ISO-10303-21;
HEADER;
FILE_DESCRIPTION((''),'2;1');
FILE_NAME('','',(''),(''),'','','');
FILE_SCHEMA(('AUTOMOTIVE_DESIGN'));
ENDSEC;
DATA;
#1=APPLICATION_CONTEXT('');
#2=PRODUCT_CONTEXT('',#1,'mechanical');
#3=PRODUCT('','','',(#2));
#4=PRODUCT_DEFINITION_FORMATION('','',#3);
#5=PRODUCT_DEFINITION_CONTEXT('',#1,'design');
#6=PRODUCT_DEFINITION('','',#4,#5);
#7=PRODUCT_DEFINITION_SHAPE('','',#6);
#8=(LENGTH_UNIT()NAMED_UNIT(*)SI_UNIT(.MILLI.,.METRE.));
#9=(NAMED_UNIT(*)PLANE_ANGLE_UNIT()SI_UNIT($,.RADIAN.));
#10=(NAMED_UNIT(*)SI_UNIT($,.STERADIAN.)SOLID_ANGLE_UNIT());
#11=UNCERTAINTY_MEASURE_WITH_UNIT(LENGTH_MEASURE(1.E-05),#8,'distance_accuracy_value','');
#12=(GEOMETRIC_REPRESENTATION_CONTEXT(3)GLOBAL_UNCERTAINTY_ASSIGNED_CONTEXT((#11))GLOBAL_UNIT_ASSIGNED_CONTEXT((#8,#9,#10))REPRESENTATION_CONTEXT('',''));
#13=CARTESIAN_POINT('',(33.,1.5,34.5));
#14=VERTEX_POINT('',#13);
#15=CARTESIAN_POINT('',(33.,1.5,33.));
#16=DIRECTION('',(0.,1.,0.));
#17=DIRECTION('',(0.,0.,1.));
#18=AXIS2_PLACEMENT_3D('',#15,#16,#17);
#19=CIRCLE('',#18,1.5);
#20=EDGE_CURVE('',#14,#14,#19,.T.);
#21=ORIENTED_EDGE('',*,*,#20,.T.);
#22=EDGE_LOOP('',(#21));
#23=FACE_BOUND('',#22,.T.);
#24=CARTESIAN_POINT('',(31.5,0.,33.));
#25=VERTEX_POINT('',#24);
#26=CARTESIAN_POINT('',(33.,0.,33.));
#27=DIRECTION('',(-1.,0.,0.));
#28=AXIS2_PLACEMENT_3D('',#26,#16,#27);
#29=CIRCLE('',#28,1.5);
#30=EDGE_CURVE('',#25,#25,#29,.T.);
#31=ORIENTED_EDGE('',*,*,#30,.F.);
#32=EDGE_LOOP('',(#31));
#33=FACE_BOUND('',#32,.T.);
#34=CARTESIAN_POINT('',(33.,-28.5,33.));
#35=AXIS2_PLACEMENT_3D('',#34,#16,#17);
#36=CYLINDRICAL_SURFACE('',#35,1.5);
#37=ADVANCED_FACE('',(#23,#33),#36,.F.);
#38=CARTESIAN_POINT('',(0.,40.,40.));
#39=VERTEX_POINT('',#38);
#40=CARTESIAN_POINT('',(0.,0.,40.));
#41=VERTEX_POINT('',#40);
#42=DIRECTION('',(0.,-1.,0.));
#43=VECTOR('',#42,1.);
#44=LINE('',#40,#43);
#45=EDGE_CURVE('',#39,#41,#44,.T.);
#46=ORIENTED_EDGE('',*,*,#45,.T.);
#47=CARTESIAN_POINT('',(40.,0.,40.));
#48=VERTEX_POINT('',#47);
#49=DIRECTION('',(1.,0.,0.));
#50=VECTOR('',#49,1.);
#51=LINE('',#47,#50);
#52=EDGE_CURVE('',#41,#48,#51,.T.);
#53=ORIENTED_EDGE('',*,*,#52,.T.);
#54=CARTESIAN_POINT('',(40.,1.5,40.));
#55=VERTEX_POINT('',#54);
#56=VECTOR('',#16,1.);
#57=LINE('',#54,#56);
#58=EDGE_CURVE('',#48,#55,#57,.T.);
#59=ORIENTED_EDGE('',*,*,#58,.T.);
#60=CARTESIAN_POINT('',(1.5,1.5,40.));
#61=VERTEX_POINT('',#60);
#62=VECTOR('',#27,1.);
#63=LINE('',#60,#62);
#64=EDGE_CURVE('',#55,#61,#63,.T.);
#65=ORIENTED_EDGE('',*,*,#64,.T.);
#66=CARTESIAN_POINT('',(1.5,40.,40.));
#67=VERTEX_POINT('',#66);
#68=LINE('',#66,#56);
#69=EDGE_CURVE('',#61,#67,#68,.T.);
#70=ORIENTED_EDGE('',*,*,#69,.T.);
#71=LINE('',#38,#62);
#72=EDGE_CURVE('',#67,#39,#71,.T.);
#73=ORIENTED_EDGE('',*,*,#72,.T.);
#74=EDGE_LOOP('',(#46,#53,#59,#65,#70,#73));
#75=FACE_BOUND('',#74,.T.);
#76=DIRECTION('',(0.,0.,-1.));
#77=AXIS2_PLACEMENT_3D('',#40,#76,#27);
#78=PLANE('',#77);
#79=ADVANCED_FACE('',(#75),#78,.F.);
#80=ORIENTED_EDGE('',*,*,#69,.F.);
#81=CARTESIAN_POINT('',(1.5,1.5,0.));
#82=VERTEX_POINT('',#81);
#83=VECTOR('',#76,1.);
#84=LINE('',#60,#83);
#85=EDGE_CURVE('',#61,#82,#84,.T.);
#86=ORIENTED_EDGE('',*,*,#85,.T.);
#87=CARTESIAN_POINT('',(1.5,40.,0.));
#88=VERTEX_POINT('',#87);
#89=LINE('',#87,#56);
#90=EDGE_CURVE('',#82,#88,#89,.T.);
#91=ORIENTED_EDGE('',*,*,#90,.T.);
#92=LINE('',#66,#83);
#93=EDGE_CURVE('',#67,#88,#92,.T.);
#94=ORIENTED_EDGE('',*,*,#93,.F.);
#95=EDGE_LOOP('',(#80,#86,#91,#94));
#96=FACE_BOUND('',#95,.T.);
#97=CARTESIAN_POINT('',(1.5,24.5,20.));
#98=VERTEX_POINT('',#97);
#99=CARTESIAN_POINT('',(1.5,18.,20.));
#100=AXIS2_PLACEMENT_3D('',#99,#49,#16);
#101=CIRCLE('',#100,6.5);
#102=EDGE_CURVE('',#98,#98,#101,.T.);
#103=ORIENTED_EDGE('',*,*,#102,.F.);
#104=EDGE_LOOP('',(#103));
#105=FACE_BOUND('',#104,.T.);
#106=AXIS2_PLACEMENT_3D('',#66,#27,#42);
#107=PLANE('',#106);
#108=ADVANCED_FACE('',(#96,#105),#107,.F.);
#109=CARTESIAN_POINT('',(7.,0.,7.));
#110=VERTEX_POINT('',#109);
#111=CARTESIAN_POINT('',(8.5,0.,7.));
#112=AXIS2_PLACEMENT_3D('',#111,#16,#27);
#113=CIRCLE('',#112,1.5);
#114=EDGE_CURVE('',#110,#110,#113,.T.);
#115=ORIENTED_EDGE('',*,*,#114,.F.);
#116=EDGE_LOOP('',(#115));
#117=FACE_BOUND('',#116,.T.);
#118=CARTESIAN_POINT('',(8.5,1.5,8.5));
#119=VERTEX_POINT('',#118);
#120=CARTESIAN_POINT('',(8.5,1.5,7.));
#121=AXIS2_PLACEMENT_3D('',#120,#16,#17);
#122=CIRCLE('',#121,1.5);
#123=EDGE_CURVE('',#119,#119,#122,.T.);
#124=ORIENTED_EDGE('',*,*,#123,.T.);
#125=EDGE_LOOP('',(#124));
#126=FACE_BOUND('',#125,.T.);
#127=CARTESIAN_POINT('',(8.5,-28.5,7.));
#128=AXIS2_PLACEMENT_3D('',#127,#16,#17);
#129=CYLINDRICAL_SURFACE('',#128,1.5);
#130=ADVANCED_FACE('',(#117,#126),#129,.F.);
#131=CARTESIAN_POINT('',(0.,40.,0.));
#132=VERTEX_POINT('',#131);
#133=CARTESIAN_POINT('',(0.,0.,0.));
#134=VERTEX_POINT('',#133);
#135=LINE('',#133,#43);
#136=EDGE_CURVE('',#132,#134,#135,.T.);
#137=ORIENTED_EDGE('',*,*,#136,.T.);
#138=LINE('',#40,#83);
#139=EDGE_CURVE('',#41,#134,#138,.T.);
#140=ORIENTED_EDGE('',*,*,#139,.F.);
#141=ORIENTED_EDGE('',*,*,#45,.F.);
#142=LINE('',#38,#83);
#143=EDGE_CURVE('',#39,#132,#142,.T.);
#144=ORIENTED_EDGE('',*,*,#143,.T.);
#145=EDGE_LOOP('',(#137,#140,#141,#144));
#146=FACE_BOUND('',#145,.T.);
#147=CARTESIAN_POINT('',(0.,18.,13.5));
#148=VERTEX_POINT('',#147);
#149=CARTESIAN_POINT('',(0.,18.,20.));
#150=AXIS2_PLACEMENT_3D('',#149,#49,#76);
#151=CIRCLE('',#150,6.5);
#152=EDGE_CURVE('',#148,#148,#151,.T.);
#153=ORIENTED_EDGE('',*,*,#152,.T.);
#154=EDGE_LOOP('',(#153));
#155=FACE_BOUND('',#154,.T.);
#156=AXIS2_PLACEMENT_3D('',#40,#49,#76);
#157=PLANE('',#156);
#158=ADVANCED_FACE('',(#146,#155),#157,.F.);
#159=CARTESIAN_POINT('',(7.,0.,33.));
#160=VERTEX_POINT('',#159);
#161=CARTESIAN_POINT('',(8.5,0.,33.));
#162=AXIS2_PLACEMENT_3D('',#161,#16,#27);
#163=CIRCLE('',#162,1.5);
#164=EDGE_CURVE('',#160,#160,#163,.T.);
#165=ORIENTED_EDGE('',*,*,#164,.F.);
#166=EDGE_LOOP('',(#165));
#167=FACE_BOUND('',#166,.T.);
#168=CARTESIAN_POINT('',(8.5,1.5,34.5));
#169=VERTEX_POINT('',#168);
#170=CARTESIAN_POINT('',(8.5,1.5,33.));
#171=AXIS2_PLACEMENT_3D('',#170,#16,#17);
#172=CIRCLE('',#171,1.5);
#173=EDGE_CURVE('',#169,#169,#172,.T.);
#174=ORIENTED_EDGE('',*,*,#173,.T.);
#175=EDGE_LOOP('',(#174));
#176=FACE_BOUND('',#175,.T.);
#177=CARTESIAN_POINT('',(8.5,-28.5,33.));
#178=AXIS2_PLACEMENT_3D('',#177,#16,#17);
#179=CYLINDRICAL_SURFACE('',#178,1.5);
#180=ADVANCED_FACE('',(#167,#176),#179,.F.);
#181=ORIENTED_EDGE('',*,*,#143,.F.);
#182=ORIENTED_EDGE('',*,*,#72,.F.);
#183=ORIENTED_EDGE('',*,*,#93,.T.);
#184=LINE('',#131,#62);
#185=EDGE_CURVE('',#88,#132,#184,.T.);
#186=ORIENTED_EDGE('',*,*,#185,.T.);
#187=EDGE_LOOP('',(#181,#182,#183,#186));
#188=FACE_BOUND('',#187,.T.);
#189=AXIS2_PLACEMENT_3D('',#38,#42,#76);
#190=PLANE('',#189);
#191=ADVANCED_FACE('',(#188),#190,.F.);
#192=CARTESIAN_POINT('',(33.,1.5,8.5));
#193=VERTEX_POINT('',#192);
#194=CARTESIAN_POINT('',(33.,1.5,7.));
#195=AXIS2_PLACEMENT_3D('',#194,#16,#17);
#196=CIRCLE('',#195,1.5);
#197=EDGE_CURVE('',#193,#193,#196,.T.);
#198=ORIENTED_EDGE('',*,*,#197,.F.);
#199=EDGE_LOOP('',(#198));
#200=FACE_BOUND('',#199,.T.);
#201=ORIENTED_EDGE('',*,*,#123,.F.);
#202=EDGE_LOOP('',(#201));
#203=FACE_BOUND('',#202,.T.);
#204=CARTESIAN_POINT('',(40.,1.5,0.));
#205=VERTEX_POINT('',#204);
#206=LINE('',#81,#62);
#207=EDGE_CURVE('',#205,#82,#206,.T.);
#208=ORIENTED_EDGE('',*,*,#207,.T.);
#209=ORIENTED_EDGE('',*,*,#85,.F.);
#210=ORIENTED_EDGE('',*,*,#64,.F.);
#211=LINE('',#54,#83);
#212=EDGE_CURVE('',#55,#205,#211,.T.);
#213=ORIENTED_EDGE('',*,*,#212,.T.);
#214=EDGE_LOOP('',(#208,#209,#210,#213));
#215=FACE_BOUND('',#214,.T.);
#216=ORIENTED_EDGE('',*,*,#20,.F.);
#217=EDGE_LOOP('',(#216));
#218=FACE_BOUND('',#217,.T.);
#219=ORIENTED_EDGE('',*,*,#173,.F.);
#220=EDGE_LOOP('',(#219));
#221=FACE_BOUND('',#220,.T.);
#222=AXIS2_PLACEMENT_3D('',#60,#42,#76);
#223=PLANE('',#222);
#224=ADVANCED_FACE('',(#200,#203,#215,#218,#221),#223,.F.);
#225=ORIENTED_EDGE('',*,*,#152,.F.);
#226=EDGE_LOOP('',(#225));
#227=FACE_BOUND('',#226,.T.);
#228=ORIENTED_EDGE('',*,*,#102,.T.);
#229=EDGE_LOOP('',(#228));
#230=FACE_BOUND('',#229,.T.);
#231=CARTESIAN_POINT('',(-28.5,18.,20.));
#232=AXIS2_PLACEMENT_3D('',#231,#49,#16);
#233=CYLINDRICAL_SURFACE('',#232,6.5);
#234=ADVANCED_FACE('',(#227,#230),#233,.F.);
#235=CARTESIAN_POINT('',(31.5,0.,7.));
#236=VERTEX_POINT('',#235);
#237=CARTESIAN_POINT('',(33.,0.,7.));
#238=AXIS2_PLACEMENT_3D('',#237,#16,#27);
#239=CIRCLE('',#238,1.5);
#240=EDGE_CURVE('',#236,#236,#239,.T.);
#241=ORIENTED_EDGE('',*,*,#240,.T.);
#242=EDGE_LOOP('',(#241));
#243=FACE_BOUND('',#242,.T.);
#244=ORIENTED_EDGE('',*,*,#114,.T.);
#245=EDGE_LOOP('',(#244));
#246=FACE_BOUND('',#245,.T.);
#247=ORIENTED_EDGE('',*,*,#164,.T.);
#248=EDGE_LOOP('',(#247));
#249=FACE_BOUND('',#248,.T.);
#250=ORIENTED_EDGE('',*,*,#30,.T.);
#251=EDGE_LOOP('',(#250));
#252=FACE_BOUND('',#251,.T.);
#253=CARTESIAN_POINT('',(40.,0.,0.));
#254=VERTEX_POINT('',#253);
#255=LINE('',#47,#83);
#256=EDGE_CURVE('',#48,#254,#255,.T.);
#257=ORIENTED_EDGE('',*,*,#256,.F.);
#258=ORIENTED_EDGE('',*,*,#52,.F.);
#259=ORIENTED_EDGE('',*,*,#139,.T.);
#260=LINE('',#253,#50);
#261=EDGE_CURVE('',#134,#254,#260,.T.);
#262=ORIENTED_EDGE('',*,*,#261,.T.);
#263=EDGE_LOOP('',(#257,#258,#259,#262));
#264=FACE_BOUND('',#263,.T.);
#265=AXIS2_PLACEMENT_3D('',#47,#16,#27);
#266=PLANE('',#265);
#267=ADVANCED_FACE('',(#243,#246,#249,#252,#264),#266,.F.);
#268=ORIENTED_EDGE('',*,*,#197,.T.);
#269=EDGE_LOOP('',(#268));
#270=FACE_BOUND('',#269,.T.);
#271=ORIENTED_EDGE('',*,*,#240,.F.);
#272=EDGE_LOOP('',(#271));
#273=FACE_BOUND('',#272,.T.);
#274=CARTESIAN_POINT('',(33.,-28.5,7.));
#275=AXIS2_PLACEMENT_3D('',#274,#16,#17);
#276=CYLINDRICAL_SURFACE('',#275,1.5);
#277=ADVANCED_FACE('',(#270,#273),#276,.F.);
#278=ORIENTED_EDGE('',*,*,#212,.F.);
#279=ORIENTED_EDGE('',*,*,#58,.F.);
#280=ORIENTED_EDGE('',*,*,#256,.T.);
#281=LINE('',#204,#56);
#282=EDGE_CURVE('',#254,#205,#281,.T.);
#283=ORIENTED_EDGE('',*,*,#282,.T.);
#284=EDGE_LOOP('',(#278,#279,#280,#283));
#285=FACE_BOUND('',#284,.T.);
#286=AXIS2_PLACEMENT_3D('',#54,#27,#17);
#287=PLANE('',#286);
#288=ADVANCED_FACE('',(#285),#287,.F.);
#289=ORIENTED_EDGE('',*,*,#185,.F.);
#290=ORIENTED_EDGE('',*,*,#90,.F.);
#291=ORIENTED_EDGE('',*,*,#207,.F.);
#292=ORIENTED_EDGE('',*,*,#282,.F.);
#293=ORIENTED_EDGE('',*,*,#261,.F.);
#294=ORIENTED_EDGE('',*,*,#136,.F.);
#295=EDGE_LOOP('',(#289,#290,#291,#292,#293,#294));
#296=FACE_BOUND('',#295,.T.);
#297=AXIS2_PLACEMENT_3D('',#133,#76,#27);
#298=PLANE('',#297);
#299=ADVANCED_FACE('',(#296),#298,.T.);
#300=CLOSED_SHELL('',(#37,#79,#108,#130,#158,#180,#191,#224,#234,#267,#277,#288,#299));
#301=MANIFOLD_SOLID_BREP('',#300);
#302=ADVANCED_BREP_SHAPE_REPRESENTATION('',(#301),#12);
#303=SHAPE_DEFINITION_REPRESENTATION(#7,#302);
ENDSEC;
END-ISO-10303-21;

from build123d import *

# Parameters (mm, degrees)
EXTRUSION1_DEPTH = 40
ESQUISSE2_R      = 6.5
EXTRUSION2_DEPTH = 30
ESQUISSE3_R      = 1.5
EXTRUSION3_DEPTH = 30


with BuildPart() as part:
    # Esquisse1 → Extrusion1 (new body)
    with BuildSketch(Plane.XY):
        Polygon((0, 0), (0, 40), (1.5, 40), (1.5, 1.5), (40, 1.5), (40, 0), align=None)
    extrude(amount=EXTRUSION1_DEPTH)

    # Esquisse2 → Extrusion2 (cut)
    with BuildSketch(Plane(origin=(1.5, 0, 0), x_dir=(0, 0, -1), z_dir=(1, 0, 0))):
        with Locations(Location((-20, 18, 0), (0, 0, 90))):
            Circle(ESQUISSE2_R)
    extrude(amount=-EXTRUSION2_DEPTH, mode=Mode.SUBTRACT)

    # Esquisse3 → Extrusion3 (cut)
    with BuildSketch(Plane(origin=(0, 1.5, 0), x_dir=(-1, 0, 0), z_dir=(0, 1, 0))):
        with Locations(Location((-8.5, 33, 0), (0, 0, 90))):
            Circle(ESQUISSE3_R)
        with Locations(Location((-8.5, 7, 0), (0, 0, 90))):
            Circle(ESQUISSE3_R)
        with Locations(Location((-33, 7, 0), (0, 0, 90))):
            Circle(ESQUISSE3_R)
        with Locations(Location((-33, 33, 0), (0, 0, 90))):
            Circle(ESQUISSE3_R)
    extrude(amount=-EXTRUSION3_DEPTH, mode=Mode.SUBTRACT)


solid = part.part
